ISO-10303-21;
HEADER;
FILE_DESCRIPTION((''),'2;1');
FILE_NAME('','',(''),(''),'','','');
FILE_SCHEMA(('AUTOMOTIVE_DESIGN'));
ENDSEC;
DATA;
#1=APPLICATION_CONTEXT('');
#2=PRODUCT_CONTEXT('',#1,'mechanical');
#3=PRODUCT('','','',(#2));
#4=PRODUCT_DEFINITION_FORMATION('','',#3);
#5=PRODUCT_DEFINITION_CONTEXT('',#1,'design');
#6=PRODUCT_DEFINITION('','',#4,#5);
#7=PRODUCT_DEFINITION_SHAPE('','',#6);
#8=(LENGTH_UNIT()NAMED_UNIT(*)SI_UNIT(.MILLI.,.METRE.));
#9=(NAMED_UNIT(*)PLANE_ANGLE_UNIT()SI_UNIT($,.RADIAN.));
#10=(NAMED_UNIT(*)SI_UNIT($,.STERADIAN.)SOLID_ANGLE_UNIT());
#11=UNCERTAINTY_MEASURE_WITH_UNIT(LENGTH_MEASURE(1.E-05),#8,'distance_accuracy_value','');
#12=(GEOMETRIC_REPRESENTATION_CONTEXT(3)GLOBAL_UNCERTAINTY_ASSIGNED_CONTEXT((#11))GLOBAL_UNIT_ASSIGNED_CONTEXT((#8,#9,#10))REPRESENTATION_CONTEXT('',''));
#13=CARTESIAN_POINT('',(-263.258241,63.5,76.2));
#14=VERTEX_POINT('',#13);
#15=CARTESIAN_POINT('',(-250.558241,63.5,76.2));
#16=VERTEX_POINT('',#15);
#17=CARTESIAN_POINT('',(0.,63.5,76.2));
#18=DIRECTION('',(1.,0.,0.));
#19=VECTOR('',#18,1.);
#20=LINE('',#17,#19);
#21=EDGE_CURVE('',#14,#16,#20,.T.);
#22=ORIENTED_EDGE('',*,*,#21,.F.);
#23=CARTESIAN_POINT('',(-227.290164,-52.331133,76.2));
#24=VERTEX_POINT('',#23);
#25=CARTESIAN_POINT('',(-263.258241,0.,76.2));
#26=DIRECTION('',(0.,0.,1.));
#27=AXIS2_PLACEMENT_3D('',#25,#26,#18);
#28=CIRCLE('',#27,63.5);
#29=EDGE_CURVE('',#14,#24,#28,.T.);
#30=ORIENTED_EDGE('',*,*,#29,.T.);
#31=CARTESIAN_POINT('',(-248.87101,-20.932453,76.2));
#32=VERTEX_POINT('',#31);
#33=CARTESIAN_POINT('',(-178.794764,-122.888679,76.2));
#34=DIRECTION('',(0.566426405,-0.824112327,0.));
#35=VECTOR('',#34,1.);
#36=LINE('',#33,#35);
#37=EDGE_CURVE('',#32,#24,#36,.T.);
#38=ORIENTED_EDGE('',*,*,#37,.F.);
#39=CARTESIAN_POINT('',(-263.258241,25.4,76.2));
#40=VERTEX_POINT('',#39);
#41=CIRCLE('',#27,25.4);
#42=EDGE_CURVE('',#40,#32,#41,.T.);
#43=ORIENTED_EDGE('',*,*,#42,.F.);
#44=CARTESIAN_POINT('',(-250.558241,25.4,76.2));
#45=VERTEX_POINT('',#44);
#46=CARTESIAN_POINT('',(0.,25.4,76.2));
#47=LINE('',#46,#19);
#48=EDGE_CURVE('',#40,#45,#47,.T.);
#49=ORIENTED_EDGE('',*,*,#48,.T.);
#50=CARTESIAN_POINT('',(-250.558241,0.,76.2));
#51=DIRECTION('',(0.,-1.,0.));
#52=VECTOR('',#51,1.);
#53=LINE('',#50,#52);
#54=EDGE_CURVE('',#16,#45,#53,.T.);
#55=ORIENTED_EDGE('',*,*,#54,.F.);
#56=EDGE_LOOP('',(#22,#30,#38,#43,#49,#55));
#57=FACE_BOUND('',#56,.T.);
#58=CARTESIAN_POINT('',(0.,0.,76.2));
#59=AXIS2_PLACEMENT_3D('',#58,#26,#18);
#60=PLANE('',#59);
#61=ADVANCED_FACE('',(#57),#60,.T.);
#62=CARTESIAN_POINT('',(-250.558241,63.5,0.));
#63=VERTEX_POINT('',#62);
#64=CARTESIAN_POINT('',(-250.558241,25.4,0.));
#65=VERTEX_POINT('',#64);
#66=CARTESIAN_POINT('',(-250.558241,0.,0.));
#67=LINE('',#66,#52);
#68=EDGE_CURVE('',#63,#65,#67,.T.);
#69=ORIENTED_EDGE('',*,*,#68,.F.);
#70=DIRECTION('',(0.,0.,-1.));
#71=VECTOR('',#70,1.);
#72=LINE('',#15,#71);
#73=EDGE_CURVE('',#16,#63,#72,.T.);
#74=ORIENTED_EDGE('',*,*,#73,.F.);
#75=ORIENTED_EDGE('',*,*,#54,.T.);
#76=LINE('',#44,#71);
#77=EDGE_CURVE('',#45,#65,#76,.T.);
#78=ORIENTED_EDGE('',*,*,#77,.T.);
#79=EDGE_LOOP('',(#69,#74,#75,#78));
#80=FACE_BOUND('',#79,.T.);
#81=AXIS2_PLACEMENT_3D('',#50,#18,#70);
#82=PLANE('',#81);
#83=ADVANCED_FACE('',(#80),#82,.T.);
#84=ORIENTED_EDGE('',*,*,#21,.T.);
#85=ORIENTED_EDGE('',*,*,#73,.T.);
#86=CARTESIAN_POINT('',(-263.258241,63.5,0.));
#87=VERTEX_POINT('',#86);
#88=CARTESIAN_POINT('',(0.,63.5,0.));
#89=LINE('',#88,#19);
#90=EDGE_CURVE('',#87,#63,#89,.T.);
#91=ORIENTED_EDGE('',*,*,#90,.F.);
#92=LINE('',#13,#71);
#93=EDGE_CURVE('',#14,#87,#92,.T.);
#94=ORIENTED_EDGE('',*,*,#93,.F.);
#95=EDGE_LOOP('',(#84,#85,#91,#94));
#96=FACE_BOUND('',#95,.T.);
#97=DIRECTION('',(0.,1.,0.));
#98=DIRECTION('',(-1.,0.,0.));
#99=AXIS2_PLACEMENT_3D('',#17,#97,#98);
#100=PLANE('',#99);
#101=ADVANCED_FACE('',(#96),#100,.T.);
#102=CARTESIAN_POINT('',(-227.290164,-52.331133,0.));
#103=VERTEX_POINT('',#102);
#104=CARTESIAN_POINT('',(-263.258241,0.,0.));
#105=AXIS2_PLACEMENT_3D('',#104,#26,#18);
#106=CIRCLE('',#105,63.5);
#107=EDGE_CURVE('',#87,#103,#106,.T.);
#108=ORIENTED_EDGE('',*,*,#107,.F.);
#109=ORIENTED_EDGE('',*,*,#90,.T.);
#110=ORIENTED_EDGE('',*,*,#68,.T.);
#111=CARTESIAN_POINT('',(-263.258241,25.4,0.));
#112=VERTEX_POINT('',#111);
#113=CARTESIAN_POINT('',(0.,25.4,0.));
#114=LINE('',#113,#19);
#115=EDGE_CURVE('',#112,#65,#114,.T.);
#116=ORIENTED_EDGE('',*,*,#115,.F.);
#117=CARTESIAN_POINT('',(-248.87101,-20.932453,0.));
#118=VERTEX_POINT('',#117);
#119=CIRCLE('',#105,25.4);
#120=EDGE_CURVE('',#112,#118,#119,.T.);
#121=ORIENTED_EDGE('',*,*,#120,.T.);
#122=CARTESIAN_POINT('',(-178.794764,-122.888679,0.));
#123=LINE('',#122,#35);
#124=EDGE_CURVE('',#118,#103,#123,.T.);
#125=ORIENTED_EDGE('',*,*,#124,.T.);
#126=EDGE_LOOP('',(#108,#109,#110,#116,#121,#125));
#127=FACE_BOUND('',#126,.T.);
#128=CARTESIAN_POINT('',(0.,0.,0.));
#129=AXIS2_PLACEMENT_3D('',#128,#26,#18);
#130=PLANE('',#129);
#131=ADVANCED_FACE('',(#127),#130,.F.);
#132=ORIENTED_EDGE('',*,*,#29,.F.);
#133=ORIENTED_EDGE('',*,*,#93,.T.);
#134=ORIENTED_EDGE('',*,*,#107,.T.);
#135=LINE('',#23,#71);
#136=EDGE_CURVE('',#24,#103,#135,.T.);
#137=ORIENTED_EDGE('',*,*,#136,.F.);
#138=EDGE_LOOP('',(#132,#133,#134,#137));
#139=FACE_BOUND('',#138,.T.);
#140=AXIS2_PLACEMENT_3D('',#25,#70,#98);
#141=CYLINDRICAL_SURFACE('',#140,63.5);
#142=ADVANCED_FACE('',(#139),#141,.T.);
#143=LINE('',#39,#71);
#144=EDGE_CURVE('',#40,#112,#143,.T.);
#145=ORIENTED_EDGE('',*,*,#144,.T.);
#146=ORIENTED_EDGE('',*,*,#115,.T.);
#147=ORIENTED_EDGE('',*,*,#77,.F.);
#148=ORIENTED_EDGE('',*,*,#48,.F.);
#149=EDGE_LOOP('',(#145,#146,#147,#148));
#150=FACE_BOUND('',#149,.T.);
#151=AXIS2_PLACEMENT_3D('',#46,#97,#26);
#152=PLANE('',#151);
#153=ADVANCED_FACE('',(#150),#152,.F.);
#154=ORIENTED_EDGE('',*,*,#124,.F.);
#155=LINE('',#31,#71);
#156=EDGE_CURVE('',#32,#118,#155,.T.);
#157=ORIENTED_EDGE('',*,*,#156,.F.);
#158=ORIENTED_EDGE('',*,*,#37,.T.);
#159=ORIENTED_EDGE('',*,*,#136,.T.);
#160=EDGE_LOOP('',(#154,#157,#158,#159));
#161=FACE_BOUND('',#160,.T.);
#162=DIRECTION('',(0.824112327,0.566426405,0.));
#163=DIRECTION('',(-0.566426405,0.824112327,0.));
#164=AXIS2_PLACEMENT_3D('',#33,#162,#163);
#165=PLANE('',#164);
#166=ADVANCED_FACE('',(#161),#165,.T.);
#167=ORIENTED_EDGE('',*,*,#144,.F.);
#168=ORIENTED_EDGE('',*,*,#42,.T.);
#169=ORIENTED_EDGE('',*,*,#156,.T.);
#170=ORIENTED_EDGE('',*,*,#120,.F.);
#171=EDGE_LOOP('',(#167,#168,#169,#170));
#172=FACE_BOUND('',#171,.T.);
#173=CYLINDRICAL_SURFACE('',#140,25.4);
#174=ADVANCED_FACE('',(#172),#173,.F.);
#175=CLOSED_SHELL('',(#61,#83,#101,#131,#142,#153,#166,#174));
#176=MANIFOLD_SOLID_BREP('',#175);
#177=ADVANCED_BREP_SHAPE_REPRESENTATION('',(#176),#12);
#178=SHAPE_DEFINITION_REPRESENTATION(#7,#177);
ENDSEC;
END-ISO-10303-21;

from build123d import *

# Parameters (mm, degrees)
BOSS_EXTRUDE1_DEPTH = 76.2


with BuildPart() as part:
    # Sketch1 → Boss-Extrude1 (new body)
    with BuildSketch(Plane.XY):
        with BuildLine():
            ThreePointArc((-263.258240929, -25.4), (-288.658240929, 0), (-263.258240929, 25.4))
            Line((-263.258240929, 25.4), (-250.558240929, 25.4))
            Line((-250.558240929, 25.4), (-250.558240929, 63.5))
            Line((-250.558240929, 63.5), (-263.217595671, 63.5))
            Line((-263.217595671, 63.5), (-263.258240929, 63.5))
            ThreePointArc((-263.258240929, 63.5), (-326.758240929, 0), (-263.258240929, -63.5))
            ThreePointArc((-263.258240929, -63.5), (-244.427108864, -60.643536054), (-227.290164194, -52.33113276))
            Line((-227.290164194, -52.33113276), (-248.871010235, -20.932453104))
            ThreePointArc((-248.871010235, -20.932453104), (-255.725788103, -24.257414422), (-263.258240929, -25.4))
        make_face()
    extrude(amount=BOSS_EXTRUDE1_DEPTH)


solid = part.part
